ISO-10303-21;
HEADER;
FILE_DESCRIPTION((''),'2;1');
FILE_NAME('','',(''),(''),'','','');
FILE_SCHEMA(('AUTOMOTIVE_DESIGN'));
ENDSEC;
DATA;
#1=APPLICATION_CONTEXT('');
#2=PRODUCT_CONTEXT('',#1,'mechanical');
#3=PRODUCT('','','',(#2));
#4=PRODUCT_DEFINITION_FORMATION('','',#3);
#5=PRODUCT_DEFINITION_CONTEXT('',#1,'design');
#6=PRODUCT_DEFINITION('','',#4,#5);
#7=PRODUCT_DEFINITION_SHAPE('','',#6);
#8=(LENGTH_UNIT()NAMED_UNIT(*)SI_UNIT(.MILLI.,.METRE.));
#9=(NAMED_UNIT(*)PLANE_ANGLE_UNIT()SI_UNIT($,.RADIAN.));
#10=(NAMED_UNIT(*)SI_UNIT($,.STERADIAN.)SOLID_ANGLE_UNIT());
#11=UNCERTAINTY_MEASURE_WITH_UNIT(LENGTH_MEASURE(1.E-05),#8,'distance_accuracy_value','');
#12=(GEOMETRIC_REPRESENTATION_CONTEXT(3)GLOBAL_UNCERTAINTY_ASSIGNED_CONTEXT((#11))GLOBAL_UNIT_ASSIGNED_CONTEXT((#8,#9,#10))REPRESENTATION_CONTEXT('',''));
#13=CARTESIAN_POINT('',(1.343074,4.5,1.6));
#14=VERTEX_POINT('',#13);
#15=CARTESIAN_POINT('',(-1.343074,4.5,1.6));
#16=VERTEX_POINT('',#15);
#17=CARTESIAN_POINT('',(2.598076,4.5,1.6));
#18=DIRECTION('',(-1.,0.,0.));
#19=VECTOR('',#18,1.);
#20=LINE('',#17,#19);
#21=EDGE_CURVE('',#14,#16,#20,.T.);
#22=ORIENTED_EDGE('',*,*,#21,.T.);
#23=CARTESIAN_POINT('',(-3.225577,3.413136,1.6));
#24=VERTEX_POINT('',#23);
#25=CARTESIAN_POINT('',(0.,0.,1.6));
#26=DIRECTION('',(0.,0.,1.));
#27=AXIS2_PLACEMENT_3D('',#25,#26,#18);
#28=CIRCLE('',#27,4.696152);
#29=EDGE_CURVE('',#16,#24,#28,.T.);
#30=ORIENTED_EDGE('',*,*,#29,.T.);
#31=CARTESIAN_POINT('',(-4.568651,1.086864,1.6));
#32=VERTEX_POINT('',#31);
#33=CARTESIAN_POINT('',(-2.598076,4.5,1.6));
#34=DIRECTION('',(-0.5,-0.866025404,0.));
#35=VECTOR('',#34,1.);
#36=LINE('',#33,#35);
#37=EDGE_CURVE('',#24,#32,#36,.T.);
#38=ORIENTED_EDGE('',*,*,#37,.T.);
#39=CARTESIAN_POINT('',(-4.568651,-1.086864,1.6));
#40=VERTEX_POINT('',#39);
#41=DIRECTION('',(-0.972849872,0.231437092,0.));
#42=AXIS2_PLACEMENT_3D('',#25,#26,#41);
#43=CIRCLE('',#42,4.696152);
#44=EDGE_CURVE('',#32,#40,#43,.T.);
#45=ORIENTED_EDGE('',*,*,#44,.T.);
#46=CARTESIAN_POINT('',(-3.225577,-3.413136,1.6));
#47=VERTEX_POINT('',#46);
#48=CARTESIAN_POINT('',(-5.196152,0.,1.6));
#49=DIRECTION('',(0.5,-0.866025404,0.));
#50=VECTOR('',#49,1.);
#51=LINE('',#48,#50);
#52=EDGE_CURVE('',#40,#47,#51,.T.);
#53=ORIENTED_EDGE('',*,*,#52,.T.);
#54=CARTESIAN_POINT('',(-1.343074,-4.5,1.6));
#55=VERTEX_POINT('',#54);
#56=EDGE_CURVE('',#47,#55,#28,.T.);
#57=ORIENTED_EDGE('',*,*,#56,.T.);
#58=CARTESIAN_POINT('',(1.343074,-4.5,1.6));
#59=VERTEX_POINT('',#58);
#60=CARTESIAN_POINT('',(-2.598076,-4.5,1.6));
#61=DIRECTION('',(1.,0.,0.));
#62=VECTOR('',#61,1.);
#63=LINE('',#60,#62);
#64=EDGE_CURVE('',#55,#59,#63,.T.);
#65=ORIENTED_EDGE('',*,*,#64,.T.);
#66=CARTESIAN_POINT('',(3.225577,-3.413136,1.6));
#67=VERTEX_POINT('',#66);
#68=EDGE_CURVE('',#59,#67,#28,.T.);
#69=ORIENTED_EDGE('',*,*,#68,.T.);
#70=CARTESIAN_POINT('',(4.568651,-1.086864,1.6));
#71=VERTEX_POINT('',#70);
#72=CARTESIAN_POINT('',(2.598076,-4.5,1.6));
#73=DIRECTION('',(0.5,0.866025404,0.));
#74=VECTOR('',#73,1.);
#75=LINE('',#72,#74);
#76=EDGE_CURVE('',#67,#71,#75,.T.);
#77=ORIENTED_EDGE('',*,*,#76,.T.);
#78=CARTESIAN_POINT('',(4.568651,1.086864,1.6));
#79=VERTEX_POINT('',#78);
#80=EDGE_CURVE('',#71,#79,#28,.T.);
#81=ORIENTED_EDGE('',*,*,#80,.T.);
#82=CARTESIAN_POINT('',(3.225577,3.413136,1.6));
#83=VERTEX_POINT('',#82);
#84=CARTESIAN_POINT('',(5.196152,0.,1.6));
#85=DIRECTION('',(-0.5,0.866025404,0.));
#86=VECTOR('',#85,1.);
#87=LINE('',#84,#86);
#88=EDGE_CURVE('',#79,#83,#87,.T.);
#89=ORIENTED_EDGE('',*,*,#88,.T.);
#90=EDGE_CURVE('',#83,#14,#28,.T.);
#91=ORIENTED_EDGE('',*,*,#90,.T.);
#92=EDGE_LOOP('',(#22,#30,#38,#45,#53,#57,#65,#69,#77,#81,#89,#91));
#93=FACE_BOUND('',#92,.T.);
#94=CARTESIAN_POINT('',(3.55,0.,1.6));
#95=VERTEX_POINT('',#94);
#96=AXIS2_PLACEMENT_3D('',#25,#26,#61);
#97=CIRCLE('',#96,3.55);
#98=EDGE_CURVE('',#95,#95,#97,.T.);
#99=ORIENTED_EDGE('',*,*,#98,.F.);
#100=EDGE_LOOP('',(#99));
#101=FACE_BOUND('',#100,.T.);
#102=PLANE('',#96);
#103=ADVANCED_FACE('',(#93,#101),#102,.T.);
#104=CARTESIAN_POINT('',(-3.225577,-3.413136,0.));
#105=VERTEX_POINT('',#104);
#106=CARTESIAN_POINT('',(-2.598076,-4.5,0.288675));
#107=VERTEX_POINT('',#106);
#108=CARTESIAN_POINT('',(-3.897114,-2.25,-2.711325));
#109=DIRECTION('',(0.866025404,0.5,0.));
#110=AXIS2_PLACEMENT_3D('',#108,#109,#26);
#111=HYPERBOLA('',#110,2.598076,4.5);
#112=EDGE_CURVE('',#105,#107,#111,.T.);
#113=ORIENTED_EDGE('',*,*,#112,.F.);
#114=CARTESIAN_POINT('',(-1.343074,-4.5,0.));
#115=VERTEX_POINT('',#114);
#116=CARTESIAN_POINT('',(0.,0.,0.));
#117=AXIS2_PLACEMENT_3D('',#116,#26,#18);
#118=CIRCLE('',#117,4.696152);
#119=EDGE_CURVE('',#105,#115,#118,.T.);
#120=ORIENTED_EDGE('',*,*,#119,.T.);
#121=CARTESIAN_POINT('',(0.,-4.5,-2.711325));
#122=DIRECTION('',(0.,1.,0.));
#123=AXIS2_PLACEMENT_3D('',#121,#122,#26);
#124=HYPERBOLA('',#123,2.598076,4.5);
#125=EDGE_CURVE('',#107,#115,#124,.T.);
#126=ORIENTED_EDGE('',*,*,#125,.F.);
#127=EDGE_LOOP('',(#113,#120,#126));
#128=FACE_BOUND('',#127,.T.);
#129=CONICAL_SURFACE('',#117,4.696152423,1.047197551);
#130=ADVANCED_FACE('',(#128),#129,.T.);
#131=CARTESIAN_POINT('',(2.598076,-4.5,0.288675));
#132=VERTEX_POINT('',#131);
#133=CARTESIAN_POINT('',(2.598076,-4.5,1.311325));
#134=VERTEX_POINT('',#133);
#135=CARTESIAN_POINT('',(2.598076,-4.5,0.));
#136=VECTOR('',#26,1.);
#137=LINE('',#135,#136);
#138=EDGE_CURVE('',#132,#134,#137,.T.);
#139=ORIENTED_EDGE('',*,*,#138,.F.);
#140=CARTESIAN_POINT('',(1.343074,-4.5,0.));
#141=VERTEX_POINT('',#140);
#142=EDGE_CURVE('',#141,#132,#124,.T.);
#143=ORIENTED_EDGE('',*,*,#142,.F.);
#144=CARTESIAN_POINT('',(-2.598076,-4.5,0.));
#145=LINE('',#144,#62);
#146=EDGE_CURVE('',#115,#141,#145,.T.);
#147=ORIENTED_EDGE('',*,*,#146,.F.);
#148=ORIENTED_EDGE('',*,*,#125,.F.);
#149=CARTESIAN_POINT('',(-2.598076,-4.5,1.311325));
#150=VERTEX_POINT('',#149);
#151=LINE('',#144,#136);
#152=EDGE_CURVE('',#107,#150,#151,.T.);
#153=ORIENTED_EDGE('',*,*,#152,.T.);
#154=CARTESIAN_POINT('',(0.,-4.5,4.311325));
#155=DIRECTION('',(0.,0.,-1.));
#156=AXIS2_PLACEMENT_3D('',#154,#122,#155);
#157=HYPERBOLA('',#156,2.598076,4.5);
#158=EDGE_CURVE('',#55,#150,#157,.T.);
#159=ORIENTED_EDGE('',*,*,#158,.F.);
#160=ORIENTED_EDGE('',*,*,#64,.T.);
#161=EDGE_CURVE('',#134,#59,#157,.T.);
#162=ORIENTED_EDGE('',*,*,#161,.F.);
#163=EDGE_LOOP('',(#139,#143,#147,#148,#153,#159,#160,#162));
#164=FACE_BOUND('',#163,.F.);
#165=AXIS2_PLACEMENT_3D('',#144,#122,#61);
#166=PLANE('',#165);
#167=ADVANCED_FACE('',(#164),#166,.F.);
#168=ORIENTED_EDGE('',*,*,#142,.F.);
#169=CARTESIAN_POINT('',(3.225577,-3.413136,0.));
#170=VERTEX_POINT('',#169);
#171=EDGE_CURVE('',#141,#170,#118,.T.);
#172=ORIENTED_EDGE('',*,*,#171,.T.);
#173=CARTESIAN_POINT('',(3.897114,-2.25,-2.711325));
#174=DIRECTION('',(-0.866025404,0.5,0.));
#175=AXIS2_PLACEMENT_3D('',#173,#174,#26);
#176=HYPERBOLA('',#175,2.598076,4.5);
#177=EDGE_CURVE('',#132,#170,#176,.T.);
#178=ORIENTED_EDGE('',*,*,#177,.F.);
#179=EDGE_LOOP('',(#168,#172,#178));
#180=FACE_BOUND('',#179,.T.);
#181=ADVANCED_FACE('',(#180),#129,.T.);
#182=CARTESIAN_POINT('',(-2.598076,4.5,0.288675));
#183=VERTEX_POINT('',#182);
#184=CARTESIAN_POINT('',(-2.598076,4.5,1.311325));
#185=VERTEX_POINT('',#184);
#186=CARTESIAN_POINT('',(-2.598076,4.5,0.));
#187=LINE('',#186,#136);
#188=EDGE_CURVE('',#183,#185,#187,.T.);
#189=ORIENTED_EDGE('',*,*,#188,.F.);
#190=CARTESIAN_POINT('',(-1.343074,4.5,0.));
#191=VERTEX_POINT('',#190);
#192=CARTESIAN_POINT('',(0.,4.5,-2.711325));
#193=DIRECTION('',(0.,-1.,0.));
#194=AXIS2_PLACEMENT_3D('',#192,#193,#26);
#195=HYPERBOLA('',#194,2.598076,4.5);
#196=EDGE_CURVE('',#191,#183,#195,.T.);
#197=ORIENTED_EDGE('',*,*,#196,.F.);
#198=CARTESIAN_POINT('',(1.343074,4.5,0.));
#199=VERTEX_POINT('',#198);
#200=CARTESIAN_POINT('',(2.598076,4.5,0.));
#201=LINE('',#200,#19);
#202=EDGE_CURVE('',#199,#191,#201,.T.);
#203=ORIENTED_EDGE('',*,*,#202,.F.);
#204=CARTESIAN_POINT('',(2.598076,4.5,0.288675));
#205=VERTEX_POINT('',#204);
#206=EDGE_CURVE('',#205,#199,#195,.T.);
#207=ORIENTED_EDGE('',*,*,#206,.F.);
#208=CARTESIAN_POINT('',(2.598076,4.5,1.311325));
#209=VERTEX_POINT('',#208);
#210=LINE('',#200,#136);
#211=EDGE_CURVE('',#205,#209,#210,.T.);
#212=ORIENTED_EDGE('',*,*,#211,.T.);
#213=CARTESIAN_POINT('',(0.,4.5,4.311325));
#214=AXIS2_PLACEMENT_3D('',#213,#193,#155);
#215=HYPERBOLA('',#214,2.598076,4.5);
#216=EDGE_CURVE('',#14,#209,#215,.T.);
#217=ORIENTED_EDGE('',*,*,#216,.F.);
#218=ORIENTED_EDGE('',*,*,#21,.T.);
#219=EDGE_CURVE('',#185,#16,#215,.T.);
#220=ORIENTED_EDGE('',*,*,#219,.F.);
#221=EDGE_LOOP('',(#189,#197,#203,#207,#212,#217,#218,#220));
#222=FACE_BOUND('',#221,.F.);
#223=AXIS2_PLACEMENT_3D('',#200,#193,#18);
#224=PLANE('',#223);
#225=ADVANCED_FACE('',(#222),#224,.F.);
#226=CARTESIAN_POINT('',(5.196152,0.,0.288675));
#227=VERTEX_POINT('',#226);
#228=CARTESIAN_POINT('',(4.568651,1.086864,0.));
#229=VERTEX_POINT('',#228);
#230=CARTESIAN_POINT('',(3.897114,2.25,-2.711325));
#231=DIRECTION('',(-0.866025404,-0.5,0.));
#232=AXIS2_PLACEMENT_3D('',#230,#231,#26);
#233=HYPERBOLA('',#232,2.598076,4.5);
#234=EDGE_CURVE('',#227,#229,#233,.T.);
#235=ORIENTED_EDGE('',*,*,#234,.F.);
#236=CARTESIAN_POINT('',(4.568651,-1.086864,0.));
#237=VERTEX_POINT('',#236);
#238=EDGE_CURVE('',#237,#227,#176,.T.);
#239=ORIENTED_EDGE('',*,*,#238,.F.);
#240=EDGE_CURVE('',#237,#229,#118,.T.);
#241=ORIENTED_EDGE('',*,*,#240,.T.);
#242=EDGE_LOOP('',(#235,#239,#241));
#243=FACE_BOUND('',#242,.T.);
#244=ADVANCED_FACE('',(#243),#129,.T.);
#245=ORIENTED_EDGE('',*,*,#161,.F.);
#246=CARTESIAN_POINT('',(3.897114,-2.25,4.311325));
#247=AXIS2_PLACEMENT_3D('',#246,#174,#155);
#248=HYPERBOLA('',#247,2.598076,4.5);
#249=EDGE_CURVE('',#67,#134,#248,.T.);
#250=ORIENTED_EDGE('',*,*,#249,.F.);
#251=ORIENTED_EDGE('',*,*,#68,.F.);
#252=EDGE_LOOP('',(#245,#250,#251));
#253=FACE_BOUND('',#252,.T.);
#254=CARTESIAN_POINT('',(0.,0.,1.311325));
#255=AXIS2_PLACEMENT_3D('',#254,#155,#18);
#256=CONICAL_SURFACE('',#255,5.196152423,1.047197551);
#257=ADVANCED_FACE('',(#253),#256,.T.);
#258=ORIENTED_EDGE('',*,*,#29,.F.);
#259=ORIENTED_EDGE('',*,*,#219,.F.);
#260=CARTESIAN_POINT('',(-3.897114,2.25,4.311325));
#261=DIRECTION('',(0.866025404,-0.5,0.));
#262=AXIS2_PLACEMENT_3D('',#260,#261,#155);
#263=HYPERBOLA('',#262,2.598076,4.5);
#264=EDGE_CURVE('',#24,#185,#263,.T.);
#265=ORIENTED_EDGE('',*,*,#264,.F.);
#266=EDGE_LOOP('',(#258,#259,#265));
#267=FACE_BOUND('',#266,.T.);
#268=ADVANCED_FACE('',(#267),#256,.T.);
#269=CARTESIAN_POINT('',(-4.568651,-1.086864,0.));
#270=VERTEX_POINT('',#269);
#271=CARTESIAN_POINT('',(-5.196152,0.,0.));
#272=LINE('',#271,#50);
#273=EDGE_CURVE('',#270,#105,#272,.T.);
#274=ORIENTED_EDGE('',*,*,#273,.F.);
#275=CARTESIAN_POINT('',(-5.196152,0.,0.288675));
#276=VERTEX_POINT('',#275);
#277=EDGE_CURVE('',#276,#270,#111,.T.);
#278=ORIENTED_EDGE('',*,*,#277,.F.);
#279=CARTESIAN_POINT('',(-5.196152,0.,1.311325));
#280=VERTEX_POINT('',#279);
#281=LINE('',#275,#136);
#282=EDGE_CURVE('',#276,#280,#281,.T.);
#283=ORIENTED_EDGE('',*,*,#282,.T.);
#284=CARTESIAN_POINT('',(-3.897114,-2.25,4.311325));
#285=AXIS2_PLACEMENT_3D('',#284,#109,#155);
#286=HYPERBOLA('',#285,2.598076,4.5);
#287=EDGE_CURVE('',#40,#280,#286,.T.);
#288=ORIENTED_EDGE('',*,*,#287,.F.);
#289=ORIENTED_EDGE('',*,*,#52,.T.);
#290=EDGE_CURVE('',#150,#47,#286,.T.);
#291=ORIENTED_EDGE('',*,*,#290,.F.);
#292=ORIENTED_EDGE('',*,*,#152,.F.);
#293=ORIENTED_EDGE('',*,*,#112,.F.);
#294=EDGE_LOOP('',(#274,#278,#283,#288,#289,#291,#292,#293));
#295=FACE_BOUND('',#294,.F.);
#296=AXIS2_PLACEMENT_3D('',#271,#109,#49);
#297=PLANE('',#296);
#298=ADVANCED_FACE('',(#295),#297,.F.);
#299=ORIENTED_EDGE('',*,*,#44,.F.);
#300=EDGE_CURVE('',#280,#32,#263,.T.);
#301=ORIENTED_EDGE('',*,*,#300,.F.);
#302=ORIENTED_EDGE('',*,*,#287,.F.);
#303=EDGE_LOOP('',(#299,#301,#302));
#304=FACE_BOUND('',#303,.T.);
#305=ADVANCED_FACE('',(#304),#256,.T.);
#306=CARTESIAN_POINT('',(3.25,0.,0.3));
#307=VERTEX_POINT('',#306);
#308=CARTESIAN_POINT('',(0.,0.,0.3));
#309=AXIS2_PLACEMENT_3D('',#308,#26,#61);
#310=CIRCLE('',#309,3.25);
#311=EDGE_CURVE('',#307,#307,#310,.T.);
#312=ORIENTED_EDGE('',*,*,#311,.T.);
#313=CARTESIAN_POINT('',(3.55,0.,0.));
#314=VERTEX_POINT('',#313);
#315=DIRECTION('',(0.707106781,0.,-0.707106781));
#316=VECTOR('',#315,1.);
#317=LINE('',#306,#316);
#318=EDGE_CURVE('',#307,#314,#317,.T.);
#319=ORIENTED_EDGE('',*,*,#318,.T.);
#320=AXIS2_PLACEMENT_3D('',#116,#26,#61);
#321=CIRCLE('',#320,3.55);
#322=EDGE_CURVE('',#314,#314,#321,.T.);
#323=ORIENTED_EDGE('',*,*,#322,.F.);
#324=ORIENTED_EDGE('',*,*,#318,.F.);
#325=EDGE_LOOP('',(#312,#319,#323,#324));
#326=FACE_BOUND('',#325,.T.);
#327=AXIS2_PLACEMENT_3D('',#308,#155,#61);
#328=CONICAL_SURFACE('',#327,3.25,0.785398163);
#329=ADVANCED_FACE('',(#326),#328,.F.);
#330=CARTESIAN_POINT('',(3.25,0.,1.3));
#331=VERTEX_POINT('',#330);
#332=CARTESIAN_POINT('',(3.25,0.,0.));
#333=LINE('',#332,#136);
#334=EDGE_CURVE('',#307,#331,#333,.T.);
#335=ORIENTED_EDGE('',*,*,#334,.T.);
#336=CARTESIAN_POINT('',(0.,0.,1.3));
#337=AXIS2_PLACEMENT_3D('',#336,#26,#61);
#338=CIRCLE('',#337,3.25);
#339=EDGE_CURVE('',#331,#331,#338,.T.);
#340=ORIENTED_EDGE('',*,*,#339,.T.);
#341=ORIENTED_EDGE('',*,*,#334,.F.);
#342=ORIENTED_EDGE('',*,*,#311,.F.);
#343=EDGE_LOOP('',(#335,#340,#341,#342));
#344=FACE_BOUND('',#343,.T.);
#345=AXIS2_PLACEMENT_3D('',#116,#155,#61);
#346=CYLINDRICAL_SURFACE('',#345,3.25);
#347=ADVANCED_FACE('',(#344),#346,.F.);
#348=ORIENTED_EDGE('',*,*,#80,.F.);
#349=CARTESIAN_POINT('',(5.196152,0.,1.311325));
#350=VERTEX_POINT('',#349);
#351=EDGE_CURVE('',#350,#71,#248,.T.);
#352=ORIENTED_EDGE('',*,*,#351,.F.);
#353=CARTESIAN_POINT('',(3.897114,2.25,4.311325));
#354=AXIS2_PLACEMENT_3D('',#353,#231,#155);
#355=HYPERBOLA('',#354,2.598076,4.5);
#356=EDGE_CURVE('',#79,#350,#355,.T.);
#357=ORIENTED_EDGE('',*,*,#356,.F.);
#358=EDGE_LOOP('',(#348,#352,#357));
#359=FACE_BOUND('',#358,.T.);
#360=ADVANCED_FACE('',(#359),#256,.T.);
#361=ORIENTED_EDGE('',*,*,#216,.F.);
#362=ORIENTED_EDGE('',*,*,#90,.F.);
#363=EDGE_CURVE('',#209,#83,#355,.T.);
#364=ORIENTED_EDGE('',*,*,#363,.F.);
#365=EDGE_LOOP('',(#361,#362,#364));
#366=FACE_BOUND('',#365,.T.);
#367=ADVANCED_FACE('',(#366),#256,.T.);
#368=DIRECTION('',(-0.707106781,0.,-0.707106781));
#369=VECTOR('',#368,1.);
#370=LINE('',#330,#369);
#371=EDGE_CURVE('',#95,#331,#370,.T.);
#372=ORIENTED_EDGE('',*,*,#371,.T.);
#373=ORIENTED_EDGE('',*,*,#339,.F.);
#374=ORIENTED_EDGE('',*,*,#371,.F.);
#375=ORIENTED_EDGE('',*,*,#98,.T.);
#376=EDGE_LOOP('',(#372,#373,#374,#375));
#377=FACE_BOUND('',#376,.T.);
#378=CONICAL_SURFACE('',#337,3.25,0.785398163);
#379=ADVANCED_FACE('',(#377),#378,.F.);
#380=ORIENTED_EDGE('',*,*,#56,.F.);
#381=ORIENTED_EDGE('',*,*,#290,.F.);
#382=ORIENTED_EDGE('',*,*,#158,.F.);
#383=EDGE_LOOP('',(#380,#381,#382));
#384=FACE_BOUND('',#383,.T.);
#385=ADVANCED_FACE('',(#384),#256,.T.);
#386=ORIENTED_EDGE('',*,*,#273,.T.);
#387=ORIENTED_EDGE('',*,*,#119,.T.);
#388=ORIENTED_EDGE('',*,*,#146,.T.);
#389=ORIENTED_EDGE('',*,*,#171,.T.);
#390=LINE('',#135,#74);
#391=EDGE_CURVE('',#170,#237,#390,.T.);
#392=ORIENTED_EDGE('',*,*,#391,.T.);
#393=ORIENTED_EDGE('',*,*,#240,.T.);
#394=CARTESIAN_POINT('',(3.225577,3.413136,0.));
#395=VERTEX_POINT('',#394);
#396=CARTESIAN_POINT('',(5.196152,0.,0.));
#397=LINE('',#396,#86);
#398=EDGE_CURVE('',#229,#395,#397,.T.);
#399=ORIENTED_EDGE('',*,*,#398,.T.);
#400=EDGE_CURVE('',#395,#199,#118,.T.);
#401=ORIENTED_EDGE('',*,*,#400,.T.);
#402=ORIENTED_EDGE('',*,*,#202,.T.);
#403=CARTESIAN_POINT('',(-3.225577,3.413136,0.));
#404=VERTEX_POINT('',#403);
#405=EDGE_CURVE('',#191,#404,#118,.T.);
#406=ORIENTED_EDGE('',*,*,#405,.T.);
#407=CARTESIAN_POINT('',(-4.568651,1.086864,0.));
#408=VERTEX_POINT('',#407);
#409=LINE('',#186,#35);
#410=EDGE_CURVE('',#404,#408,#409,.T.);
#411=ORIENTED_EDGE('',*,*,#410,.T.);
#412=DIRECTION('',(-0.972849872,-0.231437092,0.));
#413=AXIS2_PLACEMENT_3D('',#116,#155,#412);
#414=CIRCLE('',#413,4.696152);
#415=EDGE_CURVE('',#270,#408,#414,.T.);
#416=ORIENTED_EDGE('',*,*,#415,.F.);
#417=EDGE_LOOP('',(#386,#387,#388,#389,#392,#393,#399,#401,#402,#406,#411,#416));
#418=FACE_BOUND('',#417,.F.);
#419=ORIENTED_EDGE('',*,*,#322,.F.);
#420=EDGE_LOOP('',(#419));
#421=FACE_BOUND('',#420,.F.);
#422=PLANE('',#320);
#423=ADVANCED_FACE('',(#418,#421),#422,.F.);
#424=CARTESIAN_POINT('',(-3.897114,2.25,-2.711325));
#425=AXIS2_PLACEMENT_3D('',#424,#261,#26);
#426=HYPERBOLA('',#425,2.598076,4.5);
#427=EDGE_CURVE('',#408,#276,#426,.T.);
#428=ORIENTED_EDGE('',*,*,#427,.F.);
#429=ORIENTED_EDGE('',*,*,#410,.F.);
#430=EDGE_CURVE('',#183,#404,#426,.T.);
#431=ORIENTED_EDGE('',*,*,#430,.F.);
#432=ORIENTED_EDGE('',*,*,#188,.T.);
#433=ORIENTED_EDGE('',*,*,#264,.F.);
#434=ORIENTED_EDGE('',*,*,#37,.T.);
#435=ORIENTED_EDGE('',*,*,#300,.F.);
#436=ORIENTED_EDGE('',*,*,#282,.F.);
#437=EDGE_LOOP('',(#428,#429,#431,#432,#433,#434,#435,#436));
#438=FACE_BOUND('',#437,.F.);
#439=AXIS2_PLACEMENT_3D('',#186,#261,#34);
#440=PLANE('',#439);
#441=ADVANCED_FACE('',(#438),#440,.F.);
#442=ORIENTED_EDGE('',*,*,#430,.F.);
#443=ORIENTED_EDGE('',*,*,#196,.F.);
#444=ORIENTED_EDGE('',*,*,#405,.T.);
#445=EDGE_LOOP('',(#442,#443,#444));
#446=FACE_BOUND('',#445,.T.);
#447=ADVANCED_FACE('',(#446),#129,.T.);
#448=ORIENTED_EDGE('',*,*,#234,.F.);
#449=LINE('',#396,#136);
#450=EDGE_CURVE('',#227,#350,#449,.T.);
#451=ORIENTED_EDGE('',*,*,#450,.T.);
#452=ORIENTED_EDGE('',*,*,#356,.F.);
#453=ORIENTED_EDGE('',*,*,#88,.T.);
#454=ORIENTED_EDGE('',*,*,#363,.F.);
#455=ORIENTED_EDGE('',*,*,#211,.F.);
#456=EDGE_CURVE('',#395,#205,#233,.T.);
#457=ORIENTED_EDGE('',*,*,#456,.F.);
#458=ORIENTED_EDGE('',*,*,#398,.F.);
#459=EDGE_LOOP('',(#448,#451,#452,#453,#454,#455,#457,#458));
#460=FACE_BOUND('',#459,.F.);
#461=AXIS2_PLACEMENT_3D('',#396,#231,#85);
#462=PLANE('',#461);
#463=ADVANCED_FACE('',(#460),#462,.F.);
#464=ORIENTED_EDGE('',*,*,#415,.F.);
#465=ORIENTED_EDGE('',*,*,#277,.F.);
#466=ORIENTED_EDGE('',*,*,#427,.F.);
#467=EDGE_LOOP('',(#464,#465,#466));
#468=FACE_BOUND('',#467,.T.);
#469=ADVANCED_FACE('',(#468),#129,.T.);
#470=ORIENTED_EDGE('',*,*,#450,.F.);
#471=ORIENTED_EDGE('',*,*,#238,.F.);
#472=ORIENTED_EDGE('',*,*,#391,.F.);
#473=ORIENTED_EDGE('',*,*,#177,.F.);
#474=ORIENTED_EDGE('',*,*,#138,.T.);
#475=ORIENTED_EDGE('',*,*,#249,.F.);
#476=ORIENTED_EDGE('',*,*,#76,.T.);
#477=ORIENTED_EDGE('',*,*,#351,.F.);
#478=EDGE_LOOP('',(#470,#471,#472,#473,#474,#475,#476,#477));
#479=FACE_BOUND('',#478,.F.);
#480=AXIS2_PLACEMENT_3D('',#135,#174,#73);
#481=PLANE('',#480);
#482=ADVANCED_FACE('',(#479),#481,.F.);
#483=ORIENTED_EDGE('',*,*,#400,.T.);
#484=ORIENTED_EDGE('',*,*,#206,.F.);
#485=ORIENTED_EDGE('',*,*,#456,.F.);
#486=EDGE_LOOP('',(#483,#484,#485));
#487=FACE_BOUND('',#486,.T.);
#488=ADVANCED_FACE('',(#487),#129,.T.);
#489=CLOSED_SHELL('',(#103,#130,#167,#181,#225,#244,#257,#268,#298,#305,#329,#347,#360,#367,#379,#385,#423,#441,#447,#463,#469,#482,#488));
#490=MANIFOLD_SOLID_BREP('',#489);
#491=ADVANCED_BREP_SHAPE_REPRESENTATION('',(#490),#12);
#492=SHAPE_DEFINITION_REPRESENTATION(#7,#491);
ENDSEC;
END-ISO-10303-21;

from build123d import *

# Parameters (mm, degrees)
ESQUISSE1_R        = 3.25
BOSS_EXTRU_1_DEPTH = 1.6
CHANFREIN1_SIZE    = 0.3


with BuildPart() as part:
    # Esquisse1 → Boss.-Extru.1 (new body)
    with BuildSketch(Plane.XY):
        Polygon((5.196152423, 0), (2.598076211, 4.5), (-2.598076211, 4.5), (-5.196152423, 0), (-2.598076211, -4.5), (2.598076211, -4.5), align=None)
        Circle(ESQUISSE1_R, mode=Mode.SUBTRACT)
    extrude(amount=BOSS_EXTRU_1_DEPTH)

    # Esquisse2 → Enlèvement de matière-Révolution1 (revolve, cut)
    with BuildSketch(Plane(origin=(0, 0, 0), x_dir=(1, 0, 0), z_dir=(0, 1, 0))):
        Polygon((-4.696152423, 0), (-5.196152423, -0.288675135), (-5.196152423, -1.311324865), (-4.696152423, -1.6), (-6.196152423, -1.6), (-6.196152423, 0), align=None)
    revolve(axis=Axis((0, 0, 0), (0, 0, 1)), mode=Mode.SUBTRACT)

    # Chanfrein1
    chanfrein1_edges = [part.edges().sort_by_distance(p)[0] for p in [
        (-3.25, 0, 0),
        (-3.25, 0, 1.6),
    ]]
    chamfer(chanfrein1_edges, length=CHANFREIN1_SIZE)


solid = part.part
